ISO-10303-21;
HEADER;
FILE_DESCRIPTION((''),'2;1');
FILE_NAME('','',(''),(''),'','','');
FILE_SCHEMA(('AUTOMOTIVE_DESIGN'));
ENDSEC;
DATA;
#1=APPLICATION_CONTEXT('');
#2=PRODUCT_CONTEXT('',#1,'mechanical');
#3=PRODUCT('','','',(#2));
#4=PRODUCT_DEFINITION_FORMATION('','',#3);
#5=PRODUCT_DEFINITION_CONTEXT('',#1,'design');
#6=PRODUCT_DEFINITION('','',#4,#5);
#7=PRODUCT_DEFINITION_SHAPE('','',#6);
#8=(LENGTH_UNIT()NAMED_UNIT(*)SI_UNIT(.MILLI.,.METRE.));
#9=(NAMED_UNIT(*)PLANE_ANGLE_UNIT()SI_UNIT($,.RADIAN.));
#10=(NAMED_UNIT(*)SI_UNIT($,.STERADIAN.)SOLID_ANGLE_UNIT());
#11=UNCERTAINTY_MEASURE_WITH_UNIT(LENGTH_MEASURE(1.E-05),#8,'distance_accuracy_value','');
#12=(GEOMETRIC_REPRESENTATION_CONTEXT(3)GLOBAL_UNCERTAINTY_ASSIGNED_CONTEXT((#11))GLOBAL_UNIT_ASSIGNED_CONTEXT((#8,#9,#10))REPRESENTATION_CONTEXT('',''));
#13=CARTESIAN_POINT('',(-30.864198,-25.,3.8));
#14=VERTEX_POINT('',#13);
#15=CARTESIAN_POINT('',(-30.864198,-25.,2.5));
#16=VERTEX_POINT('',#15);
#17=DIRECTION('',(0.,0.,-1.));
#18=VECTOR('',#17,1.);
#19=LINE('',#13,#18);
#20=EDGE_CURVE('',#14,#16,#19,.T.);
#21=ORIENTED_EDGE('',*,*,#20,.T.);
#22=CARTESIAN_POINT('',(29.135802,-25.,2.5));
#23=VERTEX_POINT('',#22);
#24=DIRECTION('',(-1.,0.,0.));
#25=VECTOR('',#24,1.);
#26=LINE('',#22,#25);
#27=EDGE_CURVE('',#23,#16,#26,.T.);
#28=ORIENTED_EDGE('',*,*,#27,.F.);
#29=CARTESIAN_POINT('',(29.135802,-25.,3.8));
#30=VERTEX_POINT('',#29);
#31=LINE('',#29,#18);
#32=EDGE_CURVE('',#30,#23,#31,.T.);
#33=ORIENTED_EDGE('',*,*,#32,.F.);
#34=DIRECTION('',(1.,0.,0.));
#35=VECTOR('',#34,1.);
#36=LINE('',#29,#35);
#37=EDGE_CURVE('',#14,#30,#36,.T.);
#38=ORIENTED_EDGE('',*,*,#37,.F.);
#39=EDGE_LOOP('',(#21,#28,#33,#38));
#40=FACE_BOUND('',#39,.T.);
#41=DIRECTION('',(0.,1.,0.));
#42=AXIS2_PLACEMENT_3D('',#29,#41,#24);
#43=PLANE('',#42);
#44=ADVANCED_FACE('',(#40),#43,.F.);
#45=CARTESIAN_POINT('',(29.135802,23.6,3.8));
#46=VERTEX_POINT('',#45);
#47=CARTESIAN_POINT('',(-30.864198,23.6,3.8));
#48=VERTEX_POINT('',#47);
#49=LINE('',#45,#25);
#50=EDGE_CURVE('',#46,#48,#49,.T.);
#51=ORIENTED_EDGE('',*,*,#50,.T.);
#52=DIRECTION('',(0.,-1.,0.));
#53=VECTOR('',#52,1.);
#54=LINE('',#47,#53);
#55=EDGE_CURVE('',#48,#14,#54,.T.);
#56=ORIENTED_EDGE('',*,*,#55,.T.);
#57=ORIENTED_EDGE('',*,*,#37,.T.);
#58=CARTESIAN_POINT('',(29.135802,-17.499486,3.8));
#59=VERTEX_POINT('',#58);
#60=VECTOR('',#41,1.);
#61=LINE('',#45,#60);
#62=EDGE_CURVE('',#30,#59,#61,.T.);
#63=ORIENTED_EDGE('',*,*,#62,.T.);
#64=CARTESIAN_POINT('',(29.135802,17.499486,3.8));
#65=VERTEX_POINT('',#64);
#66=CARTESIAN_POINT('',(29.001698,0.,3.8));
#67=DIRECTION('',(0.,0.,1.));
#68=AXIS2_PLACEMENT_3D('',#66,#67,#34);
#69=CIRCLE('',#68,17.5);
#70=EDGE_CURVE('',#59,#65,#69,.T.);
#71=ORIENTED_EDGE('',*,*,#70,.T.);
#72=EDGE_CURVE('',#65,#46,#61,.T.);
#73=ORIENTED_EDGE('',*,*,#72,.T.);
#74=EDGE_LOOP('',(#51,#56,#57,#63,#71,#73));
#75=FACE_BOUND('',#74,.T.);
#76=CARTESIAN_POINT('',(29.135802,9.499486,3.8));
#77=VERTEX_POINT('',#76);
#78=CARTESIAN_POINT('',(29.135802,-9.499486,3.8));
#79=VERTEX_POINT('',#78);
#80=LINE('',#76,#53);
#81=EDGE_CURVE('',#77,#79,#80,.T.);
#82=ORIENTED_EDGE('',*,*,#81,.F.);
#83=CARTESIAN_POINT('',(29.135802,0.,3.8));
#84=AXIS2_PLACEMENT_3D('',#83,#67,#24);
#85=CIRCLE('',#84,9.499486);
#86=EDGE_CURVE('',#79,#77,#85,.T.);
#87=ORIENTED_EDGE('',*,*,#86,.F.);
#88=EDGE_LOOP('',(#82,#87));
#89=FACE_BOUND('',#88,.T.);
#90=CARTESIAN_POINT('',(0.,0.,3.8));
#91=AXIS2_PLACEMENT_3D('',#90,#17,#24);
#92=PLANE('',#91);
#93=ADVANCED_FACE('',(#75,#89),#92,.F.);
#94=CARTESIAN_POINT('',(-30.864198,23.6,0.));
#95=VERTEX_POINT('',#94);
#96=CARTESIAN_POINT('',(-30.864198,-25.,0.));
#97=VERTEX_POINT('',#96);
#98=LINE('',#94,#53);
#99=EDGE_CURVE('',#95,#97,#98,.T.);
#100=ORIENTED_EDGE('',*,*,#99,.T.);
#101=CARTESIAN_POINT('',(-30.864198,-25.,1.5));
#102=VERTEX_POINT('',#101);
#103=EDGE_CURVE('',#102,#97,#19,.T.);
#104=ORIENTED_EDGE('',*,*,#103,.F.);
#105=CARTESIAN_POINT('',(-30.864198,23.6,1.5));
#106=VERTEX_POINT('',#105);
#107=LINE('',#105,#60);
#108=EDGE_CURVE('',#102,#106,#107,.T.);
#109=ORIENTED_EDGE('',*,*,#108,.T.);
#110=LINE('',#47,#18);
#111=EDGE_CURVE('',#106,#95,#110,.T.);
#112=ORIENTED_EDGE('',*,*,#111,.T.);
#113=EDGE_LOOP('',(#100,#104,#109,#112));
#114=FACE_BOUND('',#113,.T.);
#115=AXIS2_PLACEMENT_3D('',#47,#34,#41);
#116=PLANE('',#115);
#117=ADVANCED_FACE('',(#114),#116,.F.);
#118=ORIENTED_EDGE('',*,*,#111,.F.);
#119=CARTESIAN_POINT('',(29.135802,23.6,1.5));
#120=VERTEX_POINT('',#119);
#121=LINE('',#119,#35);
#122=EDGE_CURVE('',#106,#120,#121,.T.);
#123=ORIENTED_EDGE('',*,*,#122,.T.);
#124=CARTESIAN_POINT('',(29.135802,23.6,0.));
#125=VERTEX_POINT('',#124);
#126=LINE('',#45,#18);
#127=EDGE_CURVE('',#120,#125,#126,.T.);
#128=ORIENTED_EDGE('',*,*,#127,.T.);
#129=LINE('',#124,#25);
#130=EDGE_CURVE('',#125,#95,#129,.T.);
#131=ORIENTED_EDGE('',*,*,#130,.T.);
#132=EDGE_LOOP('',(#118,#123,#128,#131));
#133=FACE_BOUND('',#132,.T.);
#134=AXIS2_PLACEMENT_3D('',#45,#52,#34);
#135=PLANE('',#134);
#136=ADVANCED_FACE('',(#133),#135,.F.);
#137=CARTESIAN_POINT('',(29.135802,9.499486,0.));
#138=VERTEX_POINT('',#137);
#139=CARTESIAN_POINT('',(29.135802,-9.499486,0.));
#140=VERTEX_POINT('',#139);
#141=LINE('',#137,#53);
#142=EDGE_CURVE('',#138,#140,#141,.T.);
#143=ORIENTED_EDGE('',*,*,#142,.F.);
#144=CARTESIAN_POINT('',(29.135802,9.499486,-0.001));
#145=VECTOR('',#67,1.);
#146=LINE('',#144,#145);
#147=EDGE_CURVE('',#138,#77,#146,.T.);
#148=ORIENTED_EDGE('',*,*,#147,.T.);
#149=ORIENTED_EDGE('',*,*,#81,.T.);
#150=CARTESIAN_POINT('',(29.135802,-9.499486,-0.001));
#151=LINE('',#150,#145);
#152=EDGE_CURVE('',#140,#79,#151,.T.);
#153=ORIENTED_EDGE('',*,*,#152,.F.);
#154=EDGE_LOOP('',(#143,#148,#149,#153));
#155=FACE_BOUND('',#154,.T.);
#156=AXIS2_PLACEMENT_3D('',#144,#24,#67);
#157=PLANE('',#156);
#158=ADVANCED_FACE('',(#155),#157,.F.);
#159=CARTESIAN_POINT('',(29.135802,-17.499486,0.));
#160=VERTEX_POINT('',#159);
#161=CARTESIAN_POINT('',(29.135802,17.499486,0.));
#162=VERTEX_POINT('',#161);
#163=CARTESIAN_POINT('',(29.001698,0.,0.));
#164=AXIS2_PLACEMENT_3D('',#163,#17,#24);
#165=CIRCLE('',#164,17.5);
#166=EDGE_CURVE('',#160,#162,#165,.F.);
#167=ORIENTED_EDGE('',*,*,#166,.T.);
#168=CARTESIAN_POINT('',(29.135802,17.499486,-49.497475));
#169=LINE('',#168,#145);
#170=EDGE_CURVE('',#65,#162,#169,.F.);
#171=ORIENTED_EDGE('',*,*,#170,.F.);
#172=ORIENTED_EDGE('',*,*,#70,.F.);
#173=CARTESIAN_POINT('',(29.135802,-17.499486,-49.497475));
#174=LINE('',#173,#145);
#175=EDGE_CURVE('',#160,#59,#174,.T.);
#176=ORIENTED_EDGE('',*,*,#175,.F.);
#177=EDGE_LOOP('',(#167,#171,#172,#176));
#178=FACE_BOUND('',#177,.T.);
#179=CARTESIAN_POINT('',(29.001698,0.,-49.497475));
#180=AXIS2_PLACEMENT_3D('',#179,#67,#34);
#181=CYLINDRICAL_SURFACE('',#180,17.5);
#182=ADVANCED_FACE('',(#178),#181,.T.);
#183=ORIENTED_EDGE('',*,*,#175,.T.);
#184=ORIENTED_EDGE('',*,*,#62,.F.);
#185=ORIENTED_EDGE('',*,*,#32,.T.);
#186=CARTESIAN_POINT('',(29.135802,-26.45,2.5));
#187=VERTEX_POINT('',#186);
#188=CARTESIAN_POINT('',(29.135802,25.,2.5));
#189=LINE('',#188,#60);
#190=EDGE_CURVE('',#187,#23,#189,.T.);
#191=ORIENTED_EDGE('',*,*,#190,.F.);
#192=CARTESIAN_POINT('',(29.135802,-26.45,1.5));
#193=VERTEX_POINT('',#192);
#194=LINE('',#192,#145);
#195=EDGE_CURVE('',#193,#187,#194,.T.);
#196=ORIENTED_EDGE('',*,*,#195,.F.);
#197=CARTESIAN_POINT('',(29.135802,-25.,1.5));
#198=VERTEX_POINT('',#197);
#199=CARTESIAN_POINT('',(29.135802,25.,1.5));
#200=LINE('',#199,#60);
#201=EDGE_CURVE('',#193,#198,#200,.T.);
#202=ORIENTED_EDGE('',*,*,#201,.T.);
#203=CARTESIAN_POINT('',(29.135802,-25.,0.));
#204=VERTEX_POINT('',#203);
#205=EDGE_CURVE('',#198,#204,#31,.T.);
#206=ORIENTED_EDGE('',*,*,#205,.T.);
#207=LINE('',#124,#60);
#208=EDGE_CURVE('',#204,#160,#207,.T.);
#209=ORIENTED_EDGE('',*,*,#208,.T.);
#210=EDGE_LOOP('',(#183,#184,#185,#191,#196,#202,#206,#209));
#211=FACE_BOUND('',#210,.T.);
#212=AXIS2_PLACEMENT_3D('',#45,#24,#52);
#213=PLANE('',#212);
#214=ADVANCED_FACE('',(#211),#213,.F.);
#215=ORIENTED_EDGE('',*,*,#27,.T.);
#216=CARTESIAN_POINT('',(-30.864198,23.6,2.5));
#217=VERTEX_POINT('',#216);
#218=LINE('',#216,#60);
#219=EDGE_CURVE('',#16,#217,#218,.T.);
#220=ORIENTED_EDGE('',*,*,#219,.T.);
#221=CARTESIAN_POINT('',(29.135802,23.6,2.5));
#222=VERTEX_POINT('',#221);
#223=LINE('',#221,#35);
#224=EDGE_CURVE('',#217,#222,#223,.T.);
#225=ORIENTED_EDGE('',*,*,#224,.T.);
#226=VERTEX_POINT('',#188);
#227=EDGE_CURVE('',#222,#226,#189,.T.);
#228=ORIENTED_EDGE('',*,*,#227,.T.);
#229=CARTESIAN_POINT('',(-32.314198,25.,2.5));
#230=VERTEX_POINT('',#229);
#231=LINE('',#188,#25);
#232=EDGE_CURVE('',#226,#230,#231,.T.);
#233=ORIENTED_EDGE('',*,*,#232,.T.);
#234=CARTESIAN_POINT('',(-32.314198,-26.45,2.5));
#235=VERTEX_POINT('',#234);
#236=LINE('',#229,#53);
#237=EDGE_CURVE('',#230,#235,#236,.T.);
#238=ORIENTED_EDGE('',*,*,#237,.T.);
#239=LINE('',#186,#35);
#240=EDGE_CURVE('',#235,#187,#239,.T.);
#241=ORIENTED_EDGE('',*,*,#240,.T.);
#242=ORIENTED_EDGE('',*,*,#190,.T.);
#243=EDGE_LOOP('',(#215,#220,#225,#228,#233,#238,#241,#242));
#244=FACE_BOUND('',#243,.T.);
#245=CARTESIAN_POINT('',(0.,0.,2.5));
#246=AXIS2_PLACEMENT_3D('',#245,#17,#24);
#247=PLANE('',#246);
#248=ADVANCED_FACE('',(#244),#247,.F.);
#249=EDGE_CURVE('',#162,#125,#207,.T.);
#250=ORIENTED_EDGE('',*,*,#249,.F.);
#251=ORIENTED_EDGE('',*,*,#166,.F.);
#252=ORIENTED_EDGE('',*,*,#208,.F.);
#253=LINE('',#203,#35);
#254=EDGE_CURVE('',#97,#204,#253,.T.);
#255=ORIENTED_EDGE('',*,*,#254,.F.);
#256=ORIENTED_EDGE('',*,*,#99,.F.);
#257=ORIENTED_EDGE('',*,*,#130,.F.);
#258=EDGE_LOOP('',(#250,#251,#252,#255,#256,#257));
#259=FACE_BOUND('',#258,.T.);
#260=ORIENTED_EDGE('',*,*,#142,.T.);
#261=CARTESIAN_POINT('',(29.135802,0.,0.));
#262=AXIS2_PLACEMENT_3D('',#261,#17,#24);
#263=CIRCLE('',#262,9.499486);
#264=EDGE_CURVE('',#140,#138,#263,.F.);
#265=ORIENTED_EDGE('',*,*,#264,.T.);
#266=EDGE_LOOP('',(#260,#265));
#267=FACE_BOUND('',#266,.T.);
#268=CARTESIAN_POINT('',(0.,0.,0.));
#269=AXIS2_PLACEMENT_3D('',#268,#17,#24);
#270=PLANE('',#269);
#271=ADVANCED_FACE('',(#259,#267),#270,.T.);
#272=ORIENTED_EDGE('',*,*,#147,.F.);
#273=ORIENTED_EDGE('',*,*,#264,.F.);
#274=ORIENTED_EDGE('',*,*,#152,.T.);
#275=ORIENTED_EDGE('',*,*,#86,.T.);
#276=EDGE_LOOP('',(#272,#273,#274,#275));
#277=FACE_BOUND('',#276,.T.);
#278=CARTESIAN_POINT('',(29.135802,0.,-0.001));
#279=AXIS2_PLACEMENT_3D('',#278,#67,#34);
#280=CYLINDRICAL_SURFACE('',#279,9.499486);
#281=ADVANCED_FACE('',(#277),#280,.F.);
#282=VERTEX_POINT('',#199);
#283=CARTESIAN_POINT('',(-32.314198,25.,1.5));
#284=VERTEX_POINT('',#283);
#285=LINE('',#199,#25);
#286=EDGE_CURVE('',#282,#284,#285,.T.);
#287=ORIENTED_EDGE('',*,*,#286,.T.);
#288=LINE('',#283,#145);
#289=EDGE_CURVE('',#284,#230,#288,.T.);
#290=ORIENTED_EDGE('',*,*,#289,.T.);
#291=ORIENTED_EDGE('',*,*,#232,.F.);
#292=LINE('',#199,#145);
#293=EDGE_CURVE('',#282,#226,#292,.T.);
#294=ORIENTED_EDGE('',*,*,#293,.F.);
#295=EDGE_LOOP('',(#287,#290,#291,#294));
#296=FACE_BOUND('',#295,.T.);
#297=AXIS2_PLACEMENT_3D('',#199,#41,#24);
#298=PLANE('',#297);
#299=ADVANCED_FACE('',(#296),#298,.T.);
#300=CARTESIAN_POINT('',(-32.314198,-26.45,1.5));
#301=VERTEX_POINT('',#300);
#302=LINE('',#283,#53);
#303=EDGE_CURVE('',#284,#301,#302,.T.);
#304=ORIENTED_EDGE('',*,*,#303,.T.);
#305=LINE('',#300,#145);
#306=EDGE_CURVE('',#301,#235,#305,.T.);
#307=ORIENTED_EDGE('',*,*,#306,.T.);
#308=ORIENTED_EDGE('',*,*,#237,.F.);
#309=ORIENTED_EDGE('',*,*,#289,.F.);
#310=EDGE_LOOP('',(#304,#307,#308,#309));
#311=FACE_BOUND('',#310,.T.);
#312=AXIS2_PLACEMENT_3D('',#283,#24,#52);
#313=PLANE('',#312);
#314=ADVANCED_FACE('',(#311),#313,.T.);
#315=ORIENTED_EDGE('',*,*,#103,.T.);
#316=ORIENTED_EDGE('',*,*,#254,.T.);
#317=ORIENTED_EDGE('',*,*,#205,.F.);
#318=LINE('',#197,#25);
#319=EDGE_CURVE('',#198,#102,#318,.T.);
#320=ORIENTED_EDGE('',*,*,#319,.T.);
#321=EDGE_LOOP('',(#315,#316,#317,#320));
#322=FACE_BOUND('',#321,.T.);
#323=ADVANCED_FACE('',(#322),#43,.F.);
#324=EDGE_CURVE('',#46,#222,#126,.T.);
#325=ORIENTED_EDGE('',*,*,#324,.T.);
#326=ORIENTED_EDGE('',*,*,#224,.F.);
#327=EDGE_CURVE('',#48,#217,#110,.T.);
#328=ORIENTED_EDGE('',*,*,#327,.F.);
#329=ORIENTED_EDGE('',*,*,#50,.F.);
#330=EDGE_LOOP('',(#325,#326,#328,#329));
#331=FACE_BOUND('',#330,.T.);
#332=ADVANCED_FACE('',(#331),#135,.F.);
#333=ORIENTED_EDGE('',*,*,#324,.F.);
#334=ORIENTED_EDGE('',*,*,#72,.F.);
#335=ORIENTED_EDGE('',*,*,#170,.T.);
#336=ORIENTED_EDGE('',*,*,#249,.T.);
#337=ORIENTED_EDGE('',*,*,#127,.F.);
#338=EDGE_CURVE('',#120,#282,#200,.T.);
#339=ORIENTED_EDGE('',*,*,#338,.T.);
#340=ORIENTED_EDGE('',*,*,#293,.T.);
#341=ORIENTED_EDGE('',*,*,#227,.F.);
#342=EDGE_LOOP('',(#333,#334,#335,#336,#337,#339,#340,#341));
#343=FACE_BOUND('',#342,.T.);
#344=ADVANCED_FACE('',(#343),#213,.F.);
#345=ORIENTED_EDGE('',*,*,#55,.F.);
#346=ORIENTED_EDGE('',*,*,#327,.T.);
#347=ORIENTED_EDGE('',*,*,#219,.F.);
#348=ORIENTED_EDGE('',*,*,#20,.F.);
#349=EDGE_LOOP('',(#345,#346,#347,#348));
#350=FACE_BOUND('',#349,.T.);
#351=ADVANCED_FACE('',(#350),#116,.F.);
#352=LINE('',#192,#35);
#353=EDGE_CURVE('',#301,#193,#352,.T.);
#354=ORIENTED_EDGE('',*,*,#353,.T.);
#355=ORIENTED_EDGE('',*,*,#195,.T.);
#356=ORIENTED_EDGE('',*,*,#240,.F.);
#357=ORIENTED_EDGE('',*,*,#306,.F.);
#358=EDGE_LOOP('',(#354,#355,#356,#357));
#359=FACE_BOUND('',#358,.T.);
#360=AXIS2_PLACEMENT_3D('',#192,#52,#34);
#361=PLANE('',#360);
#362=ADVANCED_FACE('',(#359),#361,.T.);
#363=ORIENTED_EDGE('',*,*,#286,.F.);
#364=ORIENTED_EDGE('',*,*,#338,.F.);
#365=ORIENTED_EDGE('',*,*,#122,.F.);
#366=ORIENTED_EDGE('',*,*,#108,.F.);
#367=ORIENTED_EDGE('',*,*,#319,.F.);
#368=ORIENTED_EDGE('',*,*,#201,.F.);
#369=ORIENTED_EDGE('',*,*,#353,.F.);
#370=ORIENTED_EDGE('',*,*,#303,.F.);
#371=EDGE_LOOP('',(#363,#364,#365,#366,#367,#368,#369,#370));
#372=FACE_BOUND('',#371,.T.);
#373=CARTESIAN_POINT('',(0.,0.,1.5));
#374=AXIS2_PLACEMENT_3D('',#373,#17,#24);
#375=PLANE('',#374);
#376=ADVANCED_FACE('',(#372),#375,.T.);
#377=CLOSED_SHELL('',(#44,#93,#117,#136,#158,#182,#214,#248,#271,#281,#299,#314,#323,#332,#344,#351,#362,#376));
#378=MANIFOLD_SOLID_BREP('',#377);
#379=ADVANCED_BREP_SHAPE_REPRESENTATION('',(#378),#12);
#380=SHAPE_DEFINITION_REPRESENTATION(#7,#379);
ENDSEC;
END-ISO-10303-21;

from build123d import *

# Parameters (mm, degrees)
SKETCH1_W           = 60
SKETCH1_H           = 48.6
BOSS_EXTRUDE1_DEPTH = 3.8
SKETCH3_R           = 17.5
BOSS_EXTRUDE3_DEPTH = 3.8
CUT_EXTRUDE2_REACH  = 5.8
BOSS_EXTRUDE4_START = -1.3
SKETCH2_W           = 61.45
SKETCH2_H           = 51.45
BOSS_EXTRUDE4_DEPTH = 1


with BuildPart() as part:
    # Sketch1 → Boss-Extrude1 (new body)
    with BuildSketch(Plane.XY):
        with Locations((-0.864197531, -0.7)):
            Rectangle(SKETCH1_W, SKETCH1_H)
    extrude(amount=BOSS_EXTRUDE1_DEPTH)

    # Sketch3 → Boss-Extrude3 (add)
    with BuildSketch(Plane.XY.offset(3.8)):
        with Locations((29.001697978, 0)):
            Circle(SKETCH3_R)
    extrude(amount=-BOSS_EXTRUDE3_DEPTH)

    # Sketch4 → Cut-Extrude2 (cut, up to next)
    with BuildSketch(Plane.XY.offset(3.8), mode=Mode.PRIVATE) as cut_extrude2_sk1:
        with BuildLine():
            Line((29.135802469, 9.499486163), (29.135802469, -9.499486163))
            ThreePointArc((29.135802469, -9.499486163), (38.635288633, 0), (29.135802469, 9.499486163))
        make_face()
    cut_extrude2_tool1 = extrude(cut_extrude2_sk1.sketch, amount=-CUT_EXTRUDE2_REACH, mode=Mode.PRIVATE) & part.part
    add(cut_extrude2_tool1.solids().sort_by_distance((33.16751, 0, 3.8))[0], mode=Mode.SUBTRACT)

    # Sketch2 → Boss-Extrude4 (add)
    with BuildSketch(Plane.XY.offset(3.8).offset(BOSS_EXTRUDE4_START)):
        with Locations((-1.589197531, -0.725)):
            Rectangle(SKETCH2_W, SKETCH2_H)
    extrude(amount=-BOSS_EXTRUDE4_DEPTH)


solid = part.part
